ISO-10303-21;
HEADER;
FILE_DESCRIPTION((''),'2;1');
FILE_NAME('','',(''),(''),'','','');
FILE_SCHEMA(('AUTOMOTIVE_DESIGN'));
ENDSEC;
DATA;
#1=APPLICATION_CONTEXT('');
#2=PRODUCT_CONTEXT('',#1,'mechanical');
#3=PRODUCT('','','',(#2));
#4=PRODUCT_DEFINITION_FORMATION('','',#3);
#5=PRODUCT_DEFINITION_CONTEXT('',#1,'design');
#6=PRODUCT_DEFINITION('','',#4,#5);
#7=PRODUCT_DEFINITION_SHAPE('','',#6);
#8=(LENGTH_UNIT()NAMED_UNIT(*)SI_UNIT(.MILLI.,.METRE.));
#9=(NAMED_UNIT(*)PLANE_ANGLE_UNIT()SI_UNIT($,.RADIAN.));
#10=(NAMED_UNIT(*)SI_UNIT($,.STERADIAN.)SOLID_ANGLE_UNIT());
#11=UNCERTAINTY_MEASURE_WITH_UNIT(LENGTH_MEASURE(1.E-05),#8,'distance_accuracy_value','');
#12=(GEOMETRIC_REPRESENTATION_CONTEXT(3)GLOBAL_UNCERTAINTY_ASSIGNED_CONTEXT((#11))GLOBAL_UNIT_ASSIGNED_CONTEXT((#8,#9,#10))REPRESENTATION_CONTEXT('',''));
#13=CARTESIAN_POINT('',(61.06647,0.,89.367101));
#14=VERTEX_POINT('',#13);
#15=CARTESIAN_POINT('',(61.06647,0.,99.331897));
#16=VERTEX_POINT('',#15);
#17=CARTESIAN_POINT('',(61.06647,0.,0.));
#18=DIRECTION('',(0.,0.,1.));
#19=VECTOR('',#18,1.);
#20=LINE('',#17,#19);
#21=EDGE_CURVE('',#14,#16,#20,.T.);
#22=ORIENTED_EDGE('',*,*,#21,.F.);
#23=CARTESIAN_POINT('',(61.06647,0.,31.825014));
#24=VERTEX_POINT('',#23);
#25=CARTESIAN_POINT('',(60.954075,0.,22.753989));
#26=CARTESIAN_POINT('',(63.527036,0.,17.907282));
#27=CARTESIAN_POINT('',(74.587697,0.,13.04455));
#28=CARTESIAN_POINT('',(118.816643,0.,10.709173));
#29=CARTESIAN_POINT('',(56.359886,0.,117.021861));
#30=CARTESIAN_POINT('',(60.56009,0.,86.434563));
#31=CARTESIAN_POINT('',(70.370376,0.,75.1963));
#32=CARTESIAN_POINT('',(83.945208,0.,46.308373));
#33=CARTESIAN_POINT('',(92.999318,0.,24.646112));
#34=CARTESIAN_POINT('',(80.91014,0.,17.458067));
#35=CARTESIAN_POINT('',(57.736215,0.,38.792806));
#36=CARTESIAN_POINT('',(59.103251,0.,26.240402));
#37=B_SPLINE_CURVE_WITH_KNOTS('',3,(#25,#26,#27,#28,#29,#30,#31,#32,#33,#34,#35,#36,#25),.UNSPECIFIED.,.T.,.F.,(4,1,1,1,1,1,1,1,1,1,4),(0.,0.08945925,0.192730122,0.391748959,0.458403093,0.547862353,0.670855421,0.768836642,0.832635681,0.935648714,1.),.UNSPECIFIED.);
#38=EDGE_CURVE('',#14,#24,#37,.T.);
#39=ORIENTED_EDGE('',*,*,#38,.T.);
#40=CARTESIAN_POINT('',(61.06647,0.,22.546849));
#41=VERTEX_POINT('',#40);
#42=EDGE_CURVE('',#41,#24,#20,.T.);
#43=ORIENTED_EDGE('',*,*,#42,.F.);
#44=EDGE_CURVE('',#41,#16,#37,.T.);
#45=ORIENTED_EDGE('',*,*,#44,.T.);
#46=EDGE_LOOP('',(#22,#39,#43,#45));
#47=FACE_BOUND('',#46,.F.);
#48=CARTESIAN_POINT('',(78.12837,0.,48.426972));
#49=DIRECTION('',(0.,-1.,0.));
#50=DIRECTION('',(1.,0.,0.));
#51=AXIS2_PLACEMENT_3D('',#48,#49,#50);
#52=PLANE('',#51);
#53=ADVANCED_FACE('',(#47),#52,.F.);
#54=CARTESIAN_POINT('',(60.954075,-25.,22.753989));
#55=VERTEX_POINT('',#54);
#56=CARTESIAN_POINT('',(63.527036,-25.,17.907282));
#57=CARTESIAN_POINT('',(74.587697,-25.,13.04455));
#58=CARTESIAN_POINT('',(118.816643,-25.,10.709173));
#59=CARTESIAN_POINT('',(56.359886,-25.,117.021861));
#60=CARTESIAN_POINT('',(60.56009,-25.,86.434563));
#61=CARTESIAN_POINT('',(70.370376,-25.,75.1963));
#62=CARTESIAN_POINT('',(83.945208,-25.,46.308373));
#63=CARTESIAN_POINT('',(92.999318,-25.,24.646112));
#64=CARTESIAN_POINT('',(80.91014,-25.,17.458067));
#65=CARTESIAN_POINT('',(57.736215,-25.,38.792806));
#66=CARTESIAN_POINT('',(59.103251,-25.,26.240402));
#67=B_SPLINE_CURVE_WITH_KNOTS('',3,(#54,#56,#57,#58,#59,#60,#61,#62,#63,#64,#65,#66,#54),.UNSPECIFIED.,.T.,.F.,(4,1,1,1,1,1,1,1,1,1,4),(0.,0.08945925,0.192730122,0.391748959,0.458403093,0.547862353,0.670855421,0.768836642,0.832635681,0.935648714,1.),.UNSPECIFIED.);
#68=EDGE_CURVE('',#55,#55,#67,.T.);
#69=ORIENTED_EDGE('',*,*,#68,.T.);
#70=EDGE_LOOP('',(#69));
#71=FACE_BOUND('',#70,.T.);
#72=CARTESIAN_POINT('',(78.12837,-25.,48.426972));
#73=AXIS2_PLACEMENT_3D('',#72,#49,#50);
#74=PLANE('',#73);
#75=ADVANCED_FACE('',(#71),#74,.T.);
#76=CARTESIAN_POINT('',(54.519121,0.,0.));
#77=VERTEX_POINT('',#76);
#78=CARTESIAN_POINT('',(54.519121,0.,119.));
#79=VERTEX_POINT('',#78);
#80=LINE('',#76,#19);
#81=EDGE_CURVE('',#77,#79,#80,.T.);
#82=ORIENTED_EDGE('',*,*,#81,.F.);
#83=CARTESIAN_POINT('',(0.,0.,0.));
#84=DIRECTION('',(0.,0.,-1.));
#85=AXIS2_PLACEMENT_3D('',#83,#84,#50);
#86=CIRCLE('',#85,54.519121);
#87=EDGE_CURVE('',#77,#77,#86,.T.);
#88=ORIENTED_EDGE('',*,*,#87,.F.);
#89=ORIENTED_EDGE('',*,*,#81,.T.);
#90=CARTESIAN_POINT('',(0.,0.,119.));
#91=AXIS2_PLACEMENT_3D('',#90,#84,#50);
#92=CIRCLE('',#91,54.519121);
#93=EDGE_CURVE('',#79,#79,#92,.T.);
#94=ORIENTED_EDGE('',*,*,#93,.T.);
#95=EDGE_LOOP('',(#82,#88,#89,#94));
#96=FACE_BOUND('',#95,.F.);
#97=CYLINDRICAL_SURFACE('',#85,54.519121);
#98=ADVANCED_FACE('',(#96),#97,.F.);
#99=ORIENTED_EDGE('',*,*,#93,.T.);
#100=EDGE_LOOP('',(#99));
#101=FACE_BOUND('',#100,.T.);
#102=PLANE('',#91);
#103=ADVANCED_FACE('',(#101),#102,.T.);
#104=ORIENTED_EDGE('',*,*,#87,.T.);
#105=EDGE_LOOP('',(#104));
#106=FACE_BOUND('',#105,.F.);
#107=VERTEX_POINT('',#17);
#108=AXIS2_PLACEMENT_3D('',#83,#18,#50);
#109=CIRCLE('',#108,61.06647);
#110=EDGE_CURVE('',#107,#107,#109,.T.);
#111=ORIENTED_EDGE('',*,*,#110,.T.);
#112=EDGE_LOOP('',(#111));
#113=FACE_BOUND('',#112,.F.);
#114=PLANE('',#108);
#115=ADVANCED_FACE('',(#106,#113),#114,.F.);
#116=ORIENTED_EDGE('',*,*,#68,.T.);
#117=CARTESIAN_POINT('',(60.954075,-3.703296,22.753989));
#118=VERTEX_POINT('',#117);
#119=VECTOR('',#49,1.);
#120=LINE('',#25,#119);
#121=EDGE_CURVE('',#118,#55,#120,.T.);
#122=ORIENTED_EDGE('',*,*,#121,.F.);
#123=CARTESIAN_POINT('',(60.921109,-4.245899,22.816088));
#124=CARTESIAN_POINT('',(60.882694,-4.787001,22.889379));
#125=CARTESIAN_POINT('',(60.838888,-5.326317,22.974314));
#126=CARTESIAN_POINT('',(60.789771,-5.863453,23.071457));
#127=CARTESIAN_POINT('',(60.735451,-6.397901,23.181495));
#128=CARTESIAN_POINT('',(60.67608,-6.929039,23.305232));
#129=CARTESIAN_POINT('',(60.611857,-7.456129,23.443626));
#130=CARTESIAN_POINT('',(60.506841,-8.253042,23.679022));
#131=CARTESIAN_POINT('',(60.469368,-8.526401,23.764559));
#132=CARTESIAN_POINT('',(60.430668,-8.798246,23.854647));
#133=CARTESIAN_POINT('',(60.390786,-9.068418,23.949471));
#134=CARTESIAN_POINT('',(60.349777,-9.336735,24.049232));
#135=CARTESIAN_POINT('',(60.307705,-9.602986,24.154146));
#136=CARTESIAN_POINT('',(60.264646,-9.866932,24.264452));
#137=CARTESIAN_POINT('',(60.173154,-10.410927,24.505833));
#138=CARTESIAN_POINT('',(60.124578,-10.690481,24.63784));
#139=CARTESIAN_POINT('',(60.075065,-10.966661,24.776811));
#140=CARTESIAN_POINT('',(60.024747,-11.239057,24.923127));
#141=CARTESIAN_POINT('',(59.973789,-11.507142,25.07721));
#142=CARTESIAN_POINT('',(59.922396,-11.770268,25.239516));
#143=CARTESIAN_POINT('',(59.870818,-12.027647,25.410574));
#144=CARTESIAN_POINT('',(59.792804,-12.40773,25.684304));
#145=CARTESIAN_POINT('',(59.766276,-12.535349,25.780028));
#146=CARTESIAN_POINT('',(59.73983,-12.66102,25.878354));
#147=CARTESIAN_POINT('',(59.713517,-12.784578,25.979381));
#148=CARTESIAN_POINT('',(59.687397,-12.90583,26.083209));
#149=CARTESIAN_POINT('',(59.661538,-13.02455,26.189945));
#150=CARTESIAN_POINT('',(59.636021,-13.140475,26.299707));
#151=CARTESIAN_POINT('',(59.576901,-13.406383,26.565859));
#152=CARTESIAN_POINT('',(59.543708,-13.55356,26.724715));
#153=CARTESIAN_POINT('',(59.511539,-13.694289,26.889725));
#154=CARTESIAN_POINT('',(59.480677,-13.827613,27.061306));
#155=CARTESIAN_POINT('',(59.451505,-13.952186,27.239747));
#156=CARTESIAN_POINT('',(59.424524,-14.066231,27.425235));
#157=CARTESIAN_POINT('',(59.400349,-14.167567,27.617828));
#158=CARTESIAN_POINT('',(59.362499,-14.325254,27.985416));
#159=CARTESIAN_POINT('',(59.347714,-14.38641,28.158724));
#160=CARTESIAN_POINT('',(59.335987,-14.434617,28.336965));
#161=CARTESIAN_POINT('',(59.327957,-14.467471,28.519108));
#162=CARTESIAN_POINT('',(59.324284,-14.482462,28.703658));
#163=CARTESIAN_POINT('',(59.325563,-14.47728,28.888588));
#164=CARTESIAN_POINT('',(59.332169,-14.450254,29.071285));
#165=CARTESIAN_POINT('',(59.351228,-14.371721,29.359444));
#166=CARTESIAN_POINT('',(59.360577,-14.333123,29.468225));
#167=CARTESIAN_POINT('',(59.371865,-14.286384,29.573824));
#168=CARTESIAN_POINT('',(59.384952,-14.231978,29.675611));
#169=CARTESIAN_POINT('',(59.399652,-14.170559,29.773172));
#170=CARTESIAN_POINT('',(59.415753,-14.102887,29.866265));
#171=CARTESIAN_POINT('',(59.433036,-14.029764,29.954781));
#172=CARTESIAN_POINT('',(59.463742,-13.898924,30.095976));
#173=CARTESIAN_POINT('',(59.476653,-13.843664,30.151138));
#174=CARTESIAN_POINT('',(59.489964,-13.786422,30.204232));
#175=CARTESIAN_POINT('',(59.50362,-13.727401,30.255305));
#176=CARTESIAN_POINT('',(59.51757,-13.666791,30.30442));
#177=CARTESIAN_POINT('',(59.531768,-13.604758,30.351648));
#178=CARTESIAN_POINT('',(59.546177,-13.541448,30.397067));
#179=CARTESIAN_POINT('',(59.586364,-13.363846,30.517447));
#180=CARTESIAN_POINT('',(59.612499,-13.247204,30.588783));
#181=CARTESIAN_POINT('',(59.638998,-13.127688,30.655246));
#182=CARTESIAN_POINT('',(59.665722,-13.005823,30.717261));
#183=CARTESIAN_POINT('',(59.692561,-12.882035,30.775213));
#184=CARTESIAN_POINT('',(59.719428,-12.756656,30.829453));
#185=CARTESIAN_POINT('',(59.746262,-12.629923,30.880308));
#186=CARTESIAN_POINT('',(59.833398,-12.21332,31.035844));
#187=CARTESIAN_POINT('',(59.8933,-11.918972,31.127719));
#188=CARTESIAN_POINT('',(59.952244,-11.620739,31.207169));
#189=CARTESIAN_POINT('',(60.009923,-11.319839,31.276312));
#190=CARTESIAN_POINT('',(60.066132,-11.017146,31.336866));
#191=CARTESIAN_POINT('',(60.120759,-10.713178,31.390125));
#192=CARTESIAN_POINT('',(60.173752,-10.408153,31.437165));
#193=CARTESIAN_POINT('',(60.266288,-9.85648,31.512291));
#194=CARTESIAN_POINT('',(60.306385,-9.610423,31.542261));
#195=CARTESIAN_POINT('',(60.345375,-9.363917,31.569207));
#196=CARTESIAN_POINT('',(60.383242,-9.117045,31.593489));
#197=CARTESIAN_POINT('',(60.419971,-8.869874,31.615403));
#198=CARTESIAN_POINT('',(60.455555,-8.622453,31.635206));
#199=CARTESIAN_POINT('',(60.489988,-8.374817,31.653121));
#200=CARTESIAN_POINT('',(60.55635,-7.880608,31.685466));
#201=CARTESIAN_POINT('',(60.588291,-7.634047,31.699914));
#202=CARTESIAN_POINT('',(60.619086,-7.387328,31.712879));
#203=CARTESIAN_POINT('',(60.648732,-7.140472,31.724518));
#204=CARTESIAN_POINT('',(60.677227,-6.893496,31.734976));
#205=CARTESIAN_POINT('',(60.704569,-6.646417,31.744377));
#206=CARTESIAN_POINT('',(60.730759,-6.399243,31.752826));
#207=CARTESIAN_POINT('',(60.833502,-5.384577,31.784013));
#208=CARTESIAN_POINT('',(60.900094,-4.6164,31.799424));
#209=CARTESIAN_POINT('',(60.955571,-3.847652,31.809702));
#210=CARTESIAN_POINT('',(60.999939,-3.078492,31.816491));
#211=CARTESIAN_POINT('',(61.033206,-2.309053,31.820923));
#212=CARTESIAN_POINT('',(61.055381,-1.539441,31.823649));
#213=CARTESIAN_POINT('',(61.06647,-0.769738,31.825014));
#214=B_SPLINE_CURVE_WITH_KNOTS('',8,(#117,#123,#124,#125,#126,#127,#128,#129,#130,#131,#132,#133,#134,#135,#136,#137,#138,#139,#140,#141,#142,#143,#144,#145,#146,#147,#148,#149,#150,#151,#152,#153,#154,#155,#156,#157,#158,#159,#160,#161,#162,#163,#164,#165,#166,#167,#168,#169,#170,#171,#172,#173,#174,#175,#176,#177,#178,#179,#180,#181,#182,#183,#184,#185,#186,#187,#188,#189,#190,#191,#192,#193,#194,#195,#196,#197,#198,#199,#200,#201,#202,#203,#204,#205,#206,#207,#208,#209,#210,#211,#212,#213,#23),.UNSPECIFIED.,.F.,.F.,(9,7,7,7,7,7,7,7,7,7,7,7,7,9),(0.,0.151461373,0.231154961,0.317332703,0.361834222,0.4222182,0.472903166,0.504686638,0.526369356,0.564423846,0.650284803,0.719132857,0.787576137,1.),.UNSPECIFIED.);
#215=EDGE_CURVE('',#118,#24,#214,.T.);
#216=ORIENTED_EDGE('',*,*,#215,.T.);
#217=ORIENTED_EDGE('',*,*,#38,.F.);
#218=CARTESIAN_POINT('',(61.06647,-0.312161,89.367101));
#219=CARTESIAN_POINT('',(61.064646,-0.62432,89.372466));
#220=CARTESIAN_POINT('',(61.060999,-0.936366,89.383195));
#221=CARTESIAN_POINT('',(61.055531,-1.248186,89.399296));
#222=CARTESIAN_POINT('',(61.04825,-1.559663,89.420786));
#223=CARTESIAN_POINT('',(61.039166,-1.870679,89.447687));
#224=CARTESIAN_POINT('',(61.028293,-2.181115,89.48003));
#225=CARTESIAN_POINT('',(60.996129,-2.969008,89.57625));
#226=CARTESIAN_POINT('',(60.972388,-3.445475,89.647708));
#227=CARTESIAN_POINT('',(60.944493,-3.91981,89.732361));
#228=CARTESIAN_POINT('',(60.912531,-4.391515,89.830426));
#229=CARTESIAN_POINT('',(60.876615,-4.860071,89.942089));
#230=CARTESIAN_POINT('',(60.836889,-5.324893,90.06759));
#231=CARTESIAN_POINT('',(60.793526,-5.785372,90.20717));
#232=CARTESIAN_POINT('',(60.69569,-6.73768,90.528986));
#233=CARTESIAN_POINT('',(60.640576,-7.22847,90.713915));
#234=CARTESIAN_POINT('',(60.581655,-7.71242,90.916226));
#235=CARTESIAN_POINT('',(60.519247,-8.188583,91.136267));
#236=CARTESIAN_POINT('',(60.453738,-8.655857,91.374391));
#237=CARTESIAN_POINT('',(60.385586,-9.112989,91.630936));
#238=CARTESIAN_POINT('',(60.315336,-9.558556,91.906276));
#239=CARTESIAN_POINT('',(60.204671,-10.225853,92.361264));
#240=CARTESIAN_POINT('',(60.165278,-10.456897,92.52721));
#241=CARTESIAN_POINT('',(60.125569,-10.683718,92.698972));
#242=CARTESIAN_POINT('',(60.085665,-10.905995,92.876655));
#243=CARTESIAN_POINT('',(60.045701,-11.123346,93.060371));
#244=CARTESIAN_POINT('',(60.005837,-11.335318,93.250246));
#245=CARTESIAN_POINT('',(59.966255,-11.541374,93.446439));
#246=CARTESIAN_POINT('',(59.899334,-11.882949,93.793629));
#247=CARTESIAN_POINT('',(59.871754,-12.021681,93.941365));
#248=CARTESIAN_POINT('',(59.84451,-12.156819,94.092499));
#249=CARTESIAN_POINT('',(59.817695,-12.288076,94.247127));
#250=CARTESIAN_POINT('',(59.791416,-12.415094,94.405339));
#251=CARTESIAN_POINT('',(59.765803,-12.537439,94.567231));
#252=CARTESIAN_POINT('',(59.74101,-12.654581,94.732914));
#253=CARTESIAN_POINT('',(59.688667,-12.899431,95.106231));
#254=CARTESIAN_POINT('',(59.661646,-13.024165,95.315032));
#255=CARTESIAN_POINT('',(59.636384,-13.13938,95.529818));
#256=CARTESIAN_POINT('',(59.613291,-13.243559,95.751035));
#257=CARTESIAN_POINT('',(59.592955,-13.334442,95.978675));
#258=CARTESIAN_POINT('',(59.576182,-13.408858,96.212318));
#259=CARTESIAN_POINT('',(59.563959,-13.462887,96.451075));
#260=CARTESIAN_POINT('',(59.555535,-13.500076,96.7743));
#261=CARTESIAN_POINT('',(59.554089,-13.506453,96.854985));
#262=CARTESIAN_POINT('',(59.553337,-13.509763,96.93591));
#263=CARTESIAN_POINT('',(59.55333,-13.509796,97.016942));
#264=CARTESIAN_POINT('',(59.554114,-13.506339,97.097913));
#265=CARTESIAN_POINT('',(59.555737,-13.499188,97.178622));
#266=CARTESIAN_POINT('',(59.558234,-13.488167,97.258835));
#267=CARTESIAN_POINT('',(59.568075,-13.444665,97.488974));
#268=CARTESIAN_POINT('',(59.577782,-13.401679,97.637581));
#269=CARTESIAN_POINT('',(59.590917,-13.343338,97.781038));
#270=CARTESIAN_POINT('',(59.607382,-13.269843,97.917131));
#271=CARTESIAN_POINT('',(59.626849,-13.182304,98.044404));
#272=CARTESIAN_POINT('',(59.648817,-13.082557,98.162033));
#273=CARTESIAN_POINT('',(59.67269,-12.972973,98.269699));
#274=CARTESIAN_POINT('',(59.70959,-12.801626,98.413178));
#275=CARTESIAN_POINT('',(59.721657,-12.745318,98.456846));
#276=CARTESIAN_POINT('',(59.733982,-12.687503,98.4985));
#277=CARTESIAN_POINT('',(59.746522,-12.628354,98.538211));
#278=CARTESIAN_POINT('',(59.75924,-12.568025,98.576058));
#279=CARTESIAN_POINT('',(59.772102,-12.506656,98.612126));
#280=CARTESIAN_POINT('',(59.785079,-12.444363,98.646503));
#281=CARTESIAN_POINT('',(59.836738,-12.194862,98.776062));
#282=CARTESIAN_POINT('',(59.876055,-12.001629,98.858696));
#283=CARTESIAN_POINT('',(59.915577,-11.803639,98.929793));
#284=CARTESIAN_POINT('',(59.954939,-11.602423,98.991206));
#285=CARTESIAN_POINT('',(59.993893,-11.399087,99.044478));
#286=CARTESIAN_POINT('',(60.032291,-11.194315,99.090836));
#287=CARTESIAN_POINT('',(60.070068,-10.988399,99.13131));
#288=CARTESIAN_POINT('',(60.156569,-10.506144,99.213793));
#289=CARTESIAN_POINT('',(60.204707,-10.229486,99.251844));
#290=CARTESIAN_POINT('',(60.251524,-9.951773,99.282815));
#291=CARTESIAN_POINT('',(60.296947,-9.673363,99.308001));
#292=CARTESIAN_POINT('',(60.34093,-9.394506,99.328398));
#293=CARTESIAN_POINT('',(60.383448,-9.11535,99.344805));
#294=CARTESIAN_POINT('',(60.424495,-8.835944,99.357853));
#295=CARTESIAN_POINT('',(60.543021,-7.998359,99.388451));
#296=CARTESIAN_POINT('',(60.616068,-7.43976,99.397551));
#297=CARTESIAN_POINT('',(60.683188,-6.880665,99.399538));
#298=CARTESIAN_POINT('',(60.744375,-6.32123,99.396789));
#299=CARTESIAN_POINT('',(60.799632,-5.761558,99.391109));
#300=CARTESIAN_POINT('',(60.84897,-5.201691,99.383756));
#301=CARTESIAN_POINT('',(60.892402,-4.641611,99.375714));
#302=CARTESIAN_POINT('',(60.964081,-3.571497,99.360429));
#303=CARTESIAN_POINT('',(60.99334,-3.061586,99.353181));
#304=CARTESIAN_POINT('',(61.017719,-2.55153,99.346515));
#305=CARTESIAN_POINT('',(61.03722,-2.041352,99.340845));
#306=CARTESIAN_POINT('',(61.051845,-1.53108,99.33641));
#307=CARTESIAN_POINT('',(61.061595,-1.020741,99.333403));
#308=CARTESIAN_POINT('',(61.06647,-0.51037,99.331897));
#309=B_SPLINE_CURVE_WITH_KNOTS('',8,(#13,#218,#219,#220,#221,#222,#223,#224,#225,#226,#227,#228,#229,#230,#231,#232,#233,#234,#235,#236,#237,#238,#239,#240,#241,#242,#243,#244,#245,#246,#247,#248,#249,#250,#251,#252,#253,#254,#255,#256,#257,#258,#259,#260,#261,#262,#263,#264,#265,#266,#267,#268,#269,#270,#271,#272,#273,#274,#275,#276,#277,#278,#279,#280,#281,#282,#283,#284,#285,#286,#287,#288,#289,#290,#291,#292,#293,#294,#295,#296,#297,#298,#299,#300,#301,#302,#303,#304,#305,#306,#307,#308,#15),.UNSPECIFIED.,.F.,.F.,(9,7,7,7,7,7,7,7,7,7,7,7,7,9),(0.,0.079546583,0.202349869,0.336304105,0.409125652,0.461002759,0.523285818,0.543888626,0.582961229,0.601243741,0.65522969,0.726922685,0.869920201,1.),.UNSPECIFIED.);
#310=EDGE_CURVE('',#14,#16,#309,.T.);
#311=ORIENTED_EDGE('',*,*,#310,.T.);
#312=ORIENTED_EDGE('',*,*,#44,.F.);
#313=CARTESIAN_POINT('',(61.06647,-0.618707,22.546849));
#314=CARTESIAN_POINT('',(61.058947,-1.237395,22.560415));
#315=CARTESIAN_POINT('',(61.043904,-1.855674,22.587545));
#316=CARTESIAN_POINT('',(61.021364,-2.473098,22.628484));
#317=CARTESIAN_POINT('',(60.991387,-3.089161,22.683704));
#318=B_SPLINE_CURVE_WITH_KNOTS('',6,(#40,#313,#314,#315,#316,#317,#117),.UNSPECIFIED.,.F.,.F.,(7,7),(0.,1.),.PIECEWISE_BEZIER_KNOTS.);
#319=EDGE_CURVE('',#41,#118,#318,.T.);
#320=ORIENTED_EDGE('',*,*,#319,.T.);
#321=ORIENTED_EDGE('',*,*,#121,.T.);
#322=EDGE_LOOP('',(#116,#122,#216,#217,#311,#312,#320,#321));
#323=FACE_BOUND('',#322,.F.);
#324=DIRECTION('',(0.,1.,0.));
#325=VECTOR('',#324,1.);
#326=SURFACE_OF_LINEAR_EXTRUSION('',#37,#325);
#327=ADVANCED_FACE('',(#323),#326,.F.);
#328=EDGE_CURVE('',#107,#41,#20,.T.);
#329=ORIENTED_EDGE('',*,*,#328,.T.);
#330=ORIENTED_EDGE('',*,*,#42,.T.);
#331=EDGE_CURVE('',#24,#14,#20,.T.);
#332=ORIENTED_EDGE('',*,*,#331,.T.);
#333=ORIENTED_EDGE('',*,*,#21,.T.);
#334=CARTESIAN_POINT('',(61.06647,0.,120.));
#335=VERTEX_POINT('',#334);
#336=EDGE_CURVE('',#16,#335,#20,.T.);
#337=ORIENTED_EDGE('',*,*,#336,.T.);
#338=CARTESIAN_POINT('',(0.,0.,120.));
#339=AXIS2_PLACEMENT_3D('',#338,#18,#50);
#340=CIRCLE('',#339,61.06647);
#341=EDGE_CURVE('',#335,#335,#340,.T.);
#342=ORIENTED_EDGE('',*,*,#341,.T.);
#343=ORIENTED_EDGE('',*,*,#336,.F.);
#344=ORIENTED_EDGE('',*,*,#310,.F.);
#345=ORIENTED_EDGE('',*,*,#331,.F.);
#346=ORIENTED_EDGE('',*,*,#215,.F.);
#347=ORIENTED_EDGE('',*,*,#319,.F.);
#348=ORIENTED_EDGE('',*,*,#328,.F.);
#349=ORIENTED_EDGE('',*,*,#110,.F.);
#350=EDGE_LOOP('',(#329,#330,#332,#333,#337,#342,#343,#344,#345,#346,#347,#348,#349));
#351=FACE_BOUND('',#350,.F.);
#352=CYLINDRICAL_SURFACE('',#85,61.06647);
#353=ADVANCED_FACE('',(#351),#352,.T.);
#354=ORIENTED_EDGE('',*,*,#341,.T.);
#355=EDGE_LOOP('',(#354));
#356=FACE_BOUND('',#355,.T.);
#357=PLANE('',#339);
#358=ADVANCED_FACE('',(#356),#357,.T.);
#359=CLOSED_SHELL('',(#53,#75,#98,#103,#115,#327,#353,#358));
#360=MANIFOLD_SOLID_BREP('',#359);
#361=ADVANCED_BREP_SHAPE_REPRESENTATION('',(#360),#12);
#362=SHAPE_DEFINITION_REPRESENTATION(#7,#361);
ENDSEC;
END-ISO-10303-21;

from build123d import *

# Parameters (mm, degrees)
F0_R     = 61.0664695076
F1_DEPTH = 120
F2_R     = 54.5191208314
F3_DEPTH = 119
F5_DEPTH = 25


with BuildPart() as f1:
    # F0 (on Top) → F1 (new body)
    with BuildSketch(Plane.XY):
        Circle(F0_R)
    extrude(amount=F1_DEPTH)

    # F2 (on face) → F3 (cut)
    with BuildSketch(Plane(origin=(0, 0, 0), x_dir=(1, 0, 0), z_dir=(0, 0, -1))):
        Circle(F2_R)
    extrude(amount=-F3_DEPTH, mode=Mode.SUBTRACT)

    # F4 (on Front) → F5 (join)
    with BuildSketch(Plane.XZ):
        with BuildLine():
            add(Edge.make_bspline(
                [(60.9540753067, 22.753989324), (63.5270362442, 17.9072820245), (74.5876967588, 13.0445498577), (118.8166428086, 10.7091734666), (56.3598857532, 117.0218614551), (60.5600900247, 86.4345628033), (70.3703764351, 75.19630034), (83.94520842, 46.3083730277), (92.9993183363, 24.6461115443), (80.9101403901, 17.4580666818), (57.736215368, 38.7928055161), (59.1032510908, 26.2404018482), (60.9540753067, 22.753989324)],
                knots=[0, 0, 0, 0, 0.0894592502, 0.1927301216, 0.3917489591, 0.4584030931, 0.5478623528, 0.6708554205, 0.7688366425, 0.8326356808, 0.9356487135, 1, 1, 1, 1], degree=3))
        make_face()
    extrude(amount=F5_DEPTH)


solid = f1.part
